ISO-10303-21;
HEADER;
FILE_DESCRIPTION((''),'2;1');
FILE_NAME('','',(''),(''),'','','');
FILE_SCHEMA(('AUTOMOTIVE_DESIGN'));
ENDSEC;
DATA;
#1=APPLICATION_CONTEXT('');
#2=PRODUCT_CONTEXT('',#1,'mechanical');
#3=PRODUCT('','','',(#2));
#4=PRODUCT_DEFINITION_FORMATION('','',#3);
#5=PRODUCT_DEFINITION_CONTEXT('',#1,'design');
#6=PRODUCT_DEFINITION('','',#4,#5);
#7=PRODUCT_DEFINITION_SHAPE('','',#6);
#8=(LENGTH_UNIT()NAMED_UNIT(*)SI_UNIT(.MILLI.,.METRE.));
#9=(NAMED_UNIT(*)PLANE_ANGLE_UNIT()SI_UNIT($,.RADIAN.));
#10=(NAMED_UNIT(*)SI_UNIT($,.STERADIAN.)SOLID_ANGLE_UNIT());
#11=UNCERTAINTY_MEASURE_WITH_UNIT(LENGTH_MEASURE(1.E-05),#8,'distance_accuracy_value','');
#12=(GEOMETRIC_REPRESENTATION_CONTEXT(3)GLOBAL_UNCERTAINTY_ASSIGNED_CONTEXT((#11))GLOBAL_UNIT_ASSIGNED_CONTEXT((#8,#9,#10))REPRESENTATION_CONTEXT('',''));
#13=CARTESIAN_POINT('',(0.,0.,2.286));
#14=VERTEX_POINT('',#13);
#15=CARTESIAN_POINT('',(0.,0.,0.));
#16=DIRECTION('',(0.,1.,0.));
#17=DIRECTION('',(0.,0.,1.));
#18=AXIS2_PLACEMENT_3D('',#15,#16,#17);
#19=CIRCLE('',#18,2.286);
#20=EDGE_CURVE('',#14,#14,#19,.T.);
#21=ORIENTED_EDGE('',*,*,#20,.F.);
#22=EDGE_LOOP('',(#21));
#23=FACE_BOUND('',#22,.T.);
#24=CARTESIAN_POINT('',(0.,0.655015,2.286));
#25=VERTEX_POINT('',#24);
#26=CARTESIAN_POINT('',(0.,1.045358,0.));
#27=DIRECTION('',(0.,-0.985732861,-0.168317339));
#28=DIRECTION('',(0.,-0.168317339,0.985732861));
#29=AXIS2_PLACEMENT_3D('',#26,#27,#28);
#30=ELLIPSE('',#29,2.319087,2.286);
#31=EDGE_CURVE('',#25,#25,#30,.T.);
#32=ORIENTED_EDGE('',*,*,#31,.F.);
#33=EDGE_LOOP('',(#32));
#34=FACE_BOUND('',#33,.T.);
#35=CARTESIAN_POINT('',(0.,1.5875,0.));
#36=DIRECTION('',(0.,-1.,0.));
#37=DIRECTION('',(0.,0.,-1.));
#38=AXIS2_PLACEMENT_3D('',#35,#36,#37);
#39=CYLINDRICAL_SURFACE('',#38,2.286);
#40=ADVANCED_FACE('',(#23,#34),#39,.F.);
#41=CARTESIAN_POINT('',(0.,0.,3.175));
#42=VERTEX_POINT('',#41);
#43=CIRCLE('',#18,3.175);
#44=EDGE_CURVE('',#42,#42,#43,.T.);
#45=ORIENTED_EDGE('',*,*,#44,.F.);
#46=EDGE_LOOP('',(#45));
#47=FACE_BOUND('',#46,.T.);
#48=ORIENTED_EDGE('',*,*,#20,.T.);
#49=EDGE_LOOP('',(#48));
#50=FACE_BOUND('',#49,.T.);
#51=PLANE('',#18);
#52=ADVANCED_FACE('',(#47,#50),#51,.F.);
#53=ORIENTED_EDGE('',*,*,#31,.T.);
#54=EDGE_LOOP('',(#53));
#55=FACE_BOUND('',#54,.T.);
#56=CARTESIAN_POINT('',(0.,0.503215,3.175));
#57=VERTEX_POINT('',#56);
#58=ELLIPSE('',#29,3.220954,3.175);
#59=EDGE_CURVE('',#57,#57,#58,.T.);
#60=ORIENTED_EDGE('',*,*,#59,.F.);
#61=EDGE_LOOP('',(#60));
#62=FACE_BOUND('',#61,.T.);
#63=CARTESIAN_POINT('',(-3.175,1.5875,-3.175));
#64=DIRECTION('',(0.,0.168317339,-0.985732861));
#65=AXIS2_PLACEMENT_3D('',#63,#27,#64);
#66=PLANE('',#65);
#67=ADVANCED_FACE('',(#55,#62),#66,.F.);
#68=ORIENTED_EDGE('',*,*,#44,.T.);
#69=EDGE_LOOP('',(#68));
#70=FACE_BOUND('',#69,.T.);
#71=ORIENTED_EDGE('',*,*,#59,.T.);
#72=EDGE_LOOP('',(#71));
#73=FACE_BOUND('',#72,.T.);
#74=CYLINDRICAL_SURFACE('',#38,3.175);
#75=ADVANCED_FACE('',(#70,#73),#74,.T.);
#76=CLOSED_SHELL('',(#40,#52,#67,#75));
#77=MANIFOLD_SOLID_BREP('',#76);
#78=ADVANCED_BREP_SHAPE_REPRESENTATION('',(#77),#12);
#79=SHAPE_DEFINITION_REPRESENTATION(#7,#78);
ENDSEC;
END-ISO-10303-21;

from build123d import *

# Parameters (mm, degrees)
SKETCH1_R               = 3.175
BOSS_EXTRUDE1_DEPTH     = 1.5875
CUT_EXTRUDE2_DEPTH      = 5.7625
CUT_EXTRUDE2_DEPTH_BACK = 5.7625
CUT_EXTRUDE3_DEPTH      = 5.7625
CUT_EXTRUDE3_DEPTH_BACK = 5.7625
SKETCH3_R               = 2.286


with BuildPart() as part:
    # Sketch1 → Boss-Extrude1 (new body)
    with BuildSketch(Plane(origin=(0, 0, 0), x_dir=(1, 0, 0), z_dir=(0, 1, 0))):
        with Locations(Location((0, 0, 0), (0, 0, 270))):
            Circle(SKETCH1_R)
    extrude(amount=BOSS_EXTRUDE1_DEPTH)

    # Sketch2 → Cut-Extrude2 (cut, two sides: drawn at the far end of the back side and taken through both)
    with BuildSketch(Plane(origin=(0, 0, 0), x_dir=(0, 0, -1), z_dir=(1, 0, 0)).offset(-CUT_EXTRUDE2_DEPTH_BACK)):
        Polygon((3.175, 1.5875), (-3.175, 0.503215254), (-3.175, 1.5875), align=None)
    extrude(amount=CUT_EXTRUDE2_DEPTH + CUT_EXTRUDE2_DEPTH_BACK, mode=Mode.SUBTRACT)

    # Sketch3 → Cut-Extrude3 (cut, two sides: drawn at the far end of the back side and taken through both)
    with BuildSketch(Plane.XZ.offset(-CUT_EXTRUDE3_DEPTH_BACK)):
        with Locations(Location((0, 0, 0), (0, 0, 90))):
            Circle(SKETCH3_R)
    extrude(amount=CUT_EXTRUDE3_DEPTH + CUT_EXTRUDE3_DEPTH_BACK, mode=Mode.SUBTRACT)


solid = part.part
